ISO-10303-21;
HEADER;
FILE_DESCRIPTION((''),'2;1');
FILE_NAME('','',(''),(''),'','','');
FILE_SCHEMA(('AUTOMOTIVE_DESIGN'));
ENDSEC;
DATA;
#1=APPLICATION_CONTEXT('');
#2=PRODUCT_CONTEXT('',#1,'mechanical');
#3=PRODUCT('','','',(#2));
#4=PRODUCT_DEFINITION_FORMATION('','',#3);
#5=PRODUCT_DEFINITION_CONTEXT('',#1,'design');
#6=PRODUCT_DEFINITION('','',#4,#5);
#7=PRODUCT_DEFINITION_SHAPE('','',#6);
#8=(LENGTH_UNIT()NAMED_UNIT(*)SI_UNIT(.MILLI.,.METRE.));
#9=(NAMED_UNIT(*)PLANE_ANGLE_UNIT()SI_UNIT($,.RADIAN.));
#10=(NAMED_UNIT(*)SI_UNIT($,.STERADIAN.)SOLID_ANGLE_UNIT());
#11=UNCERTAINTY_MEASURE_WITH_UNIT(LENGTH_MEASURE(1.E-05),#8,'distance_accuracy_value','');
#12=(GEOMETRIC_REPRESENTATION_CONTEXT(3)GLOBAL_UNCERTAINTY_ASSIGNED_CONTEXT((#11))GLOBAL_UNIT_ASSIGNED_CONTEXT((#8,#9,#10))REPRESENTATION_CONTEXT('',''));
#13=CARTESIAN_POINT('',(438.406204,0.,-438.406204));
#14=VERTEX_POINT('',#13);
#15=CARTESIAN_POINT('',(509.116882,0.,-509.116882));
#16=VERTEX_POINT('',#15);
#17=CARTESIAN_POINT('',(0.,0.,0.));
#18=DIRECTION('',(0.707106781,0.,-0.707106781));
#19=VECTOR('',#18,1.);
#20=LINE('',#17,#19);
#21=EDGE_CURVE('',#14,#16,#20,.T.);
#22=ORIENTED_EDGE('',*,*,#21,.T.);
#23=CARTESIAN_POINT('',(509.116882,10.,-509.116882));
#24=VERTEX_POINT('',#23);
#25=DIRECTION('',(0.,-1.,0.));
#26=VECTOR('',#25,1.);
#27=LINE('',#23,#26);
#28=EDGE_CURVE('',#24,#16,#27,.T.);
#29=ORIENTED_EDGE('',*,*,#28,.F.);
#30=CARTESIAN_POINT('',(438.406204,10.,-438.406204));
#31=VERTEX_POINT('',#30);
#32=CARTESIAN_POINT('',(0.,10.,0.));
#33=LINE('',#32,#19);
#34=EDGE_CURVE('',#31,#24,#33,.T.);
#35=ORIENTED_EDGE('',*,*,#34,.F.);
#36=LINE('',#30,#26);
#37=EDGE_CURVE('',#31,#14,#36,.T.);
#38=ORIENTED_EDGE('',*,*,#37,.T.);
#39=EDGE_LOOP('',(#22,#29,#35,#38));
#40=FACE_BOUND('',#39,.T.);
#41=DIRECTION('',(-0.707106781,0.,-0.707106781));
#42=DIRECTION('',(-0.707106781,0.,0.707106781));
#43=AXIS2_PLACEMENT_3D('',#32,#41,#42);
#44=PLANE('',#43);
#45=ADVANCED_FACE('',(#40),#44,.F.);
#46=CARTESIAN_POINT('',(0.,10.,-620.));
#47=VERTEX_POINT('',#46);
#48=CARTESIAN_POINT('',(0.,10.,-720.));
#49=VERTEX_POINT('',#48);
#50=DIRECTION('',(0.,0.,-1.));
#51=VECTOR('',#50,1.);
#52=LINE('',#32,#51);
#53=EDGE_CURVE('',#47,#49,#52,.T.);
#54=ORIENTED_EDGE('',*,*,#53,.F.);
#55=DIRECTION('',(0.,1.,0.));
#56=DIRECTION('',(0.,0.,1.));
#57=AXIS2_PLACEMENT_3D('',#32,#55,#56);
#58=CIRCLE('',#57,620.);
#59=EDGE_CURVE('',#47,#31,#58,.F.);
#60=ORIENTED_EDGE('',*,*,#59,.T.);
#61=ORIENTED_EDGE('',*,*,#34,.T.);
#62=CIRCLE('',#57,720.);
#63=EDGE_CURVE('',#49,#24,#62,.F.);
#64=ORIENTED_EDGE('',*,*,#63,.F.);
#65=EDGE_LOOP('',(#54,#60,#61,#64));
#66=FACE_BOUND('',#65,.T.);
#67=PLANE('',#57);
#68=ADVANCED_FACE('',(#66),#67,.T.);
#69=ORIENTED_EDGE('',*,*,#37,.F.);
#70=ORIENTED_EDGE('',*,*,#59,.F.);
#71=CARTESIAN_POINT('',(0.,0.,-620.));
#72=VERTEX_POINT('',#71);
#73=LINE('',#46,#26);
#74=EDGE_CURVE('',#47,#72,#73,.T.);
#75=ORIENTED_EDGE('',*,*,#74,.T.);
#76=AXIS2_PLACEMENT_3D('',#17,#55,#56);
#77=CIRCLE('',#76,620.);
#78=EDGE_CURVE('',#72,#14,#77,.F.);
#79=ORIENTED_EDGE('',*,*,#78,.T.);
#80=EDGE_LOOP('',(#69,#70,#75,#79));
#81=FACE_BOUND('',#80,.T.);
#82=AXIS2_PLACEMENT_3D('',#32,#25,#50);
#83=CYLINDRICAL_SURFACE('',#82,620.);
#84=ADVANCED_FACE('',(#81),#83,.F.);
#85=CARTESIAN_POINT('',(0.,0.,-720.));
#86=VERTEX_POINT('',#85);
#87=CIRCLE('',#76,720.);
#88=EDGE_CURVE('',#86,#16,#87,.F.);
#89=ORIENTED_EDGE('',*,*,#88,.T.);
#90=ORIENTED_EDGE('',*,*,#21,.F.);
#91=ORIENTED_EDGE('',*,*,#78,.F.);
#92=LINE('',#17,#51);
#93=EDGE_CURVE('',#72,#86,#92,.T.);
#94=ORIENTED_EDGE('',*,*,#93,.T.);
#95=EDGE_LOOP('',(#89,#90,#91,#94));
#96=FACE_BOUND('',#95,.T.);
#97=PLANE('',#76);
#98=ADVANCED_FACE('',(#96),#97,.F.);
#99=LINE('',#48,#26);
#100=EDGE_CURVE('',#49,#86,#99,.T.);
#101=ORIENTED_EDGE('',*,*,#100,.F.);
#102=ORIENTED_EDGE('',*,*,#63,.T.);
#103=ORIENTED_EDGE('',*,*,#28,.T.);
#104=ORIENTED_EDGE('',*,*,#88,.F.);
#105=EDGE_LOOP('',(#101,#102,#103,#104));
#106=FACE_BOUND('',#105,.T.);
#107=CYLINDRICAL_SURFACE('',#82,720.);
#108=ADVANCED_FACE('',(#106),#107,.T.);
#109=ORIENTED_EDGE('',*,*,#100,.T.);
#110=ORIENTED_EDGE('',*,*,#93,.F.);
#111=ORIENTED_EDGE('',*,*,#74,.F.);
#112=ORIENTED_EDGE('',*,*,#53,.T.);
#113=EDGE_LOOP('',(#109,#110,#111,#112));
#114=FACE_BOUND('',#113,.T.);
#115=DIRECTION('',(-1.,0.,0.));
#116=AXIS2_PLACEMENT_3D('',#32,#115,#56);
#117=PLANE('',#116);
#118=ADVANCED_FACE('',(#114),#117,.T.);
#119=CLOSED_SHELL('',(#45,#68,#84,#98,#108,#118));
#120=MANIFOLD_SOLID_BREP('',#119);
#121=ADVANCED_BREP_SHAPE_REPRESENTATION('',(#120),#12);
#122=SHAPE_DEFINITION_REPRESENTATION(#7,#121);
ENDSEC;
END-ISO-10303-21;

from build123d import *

# Parameters (mm, degrees)
BOSS_EXTRUDE1_DEPTH = 10


with BuildPart() as part:
    # Sketch1 → Boss-Extrude1 (new body)
    with BuildSketch(Plane(origin=(0, 0, 0), x_dir=(1, 0, 0), z_dir=(0, 1, 0))):
        with BuildLine():
            ThreePointArc((0, 720), (275.532071303, 665.193263408), (509.116882454, 509.116882454))
            Line((509.116882454, 509.116882454), (438.406204336, 438.406204336))
            ThreePointArc((438.406204336, 438.406204336), (237.263728066, 572.805310157), (0, 620))
            Line((0, 620), (0, 720))
        make_face()
    extrude(amount=BOSS_EXTRUDE1_DEPTH)


solid = part.part
